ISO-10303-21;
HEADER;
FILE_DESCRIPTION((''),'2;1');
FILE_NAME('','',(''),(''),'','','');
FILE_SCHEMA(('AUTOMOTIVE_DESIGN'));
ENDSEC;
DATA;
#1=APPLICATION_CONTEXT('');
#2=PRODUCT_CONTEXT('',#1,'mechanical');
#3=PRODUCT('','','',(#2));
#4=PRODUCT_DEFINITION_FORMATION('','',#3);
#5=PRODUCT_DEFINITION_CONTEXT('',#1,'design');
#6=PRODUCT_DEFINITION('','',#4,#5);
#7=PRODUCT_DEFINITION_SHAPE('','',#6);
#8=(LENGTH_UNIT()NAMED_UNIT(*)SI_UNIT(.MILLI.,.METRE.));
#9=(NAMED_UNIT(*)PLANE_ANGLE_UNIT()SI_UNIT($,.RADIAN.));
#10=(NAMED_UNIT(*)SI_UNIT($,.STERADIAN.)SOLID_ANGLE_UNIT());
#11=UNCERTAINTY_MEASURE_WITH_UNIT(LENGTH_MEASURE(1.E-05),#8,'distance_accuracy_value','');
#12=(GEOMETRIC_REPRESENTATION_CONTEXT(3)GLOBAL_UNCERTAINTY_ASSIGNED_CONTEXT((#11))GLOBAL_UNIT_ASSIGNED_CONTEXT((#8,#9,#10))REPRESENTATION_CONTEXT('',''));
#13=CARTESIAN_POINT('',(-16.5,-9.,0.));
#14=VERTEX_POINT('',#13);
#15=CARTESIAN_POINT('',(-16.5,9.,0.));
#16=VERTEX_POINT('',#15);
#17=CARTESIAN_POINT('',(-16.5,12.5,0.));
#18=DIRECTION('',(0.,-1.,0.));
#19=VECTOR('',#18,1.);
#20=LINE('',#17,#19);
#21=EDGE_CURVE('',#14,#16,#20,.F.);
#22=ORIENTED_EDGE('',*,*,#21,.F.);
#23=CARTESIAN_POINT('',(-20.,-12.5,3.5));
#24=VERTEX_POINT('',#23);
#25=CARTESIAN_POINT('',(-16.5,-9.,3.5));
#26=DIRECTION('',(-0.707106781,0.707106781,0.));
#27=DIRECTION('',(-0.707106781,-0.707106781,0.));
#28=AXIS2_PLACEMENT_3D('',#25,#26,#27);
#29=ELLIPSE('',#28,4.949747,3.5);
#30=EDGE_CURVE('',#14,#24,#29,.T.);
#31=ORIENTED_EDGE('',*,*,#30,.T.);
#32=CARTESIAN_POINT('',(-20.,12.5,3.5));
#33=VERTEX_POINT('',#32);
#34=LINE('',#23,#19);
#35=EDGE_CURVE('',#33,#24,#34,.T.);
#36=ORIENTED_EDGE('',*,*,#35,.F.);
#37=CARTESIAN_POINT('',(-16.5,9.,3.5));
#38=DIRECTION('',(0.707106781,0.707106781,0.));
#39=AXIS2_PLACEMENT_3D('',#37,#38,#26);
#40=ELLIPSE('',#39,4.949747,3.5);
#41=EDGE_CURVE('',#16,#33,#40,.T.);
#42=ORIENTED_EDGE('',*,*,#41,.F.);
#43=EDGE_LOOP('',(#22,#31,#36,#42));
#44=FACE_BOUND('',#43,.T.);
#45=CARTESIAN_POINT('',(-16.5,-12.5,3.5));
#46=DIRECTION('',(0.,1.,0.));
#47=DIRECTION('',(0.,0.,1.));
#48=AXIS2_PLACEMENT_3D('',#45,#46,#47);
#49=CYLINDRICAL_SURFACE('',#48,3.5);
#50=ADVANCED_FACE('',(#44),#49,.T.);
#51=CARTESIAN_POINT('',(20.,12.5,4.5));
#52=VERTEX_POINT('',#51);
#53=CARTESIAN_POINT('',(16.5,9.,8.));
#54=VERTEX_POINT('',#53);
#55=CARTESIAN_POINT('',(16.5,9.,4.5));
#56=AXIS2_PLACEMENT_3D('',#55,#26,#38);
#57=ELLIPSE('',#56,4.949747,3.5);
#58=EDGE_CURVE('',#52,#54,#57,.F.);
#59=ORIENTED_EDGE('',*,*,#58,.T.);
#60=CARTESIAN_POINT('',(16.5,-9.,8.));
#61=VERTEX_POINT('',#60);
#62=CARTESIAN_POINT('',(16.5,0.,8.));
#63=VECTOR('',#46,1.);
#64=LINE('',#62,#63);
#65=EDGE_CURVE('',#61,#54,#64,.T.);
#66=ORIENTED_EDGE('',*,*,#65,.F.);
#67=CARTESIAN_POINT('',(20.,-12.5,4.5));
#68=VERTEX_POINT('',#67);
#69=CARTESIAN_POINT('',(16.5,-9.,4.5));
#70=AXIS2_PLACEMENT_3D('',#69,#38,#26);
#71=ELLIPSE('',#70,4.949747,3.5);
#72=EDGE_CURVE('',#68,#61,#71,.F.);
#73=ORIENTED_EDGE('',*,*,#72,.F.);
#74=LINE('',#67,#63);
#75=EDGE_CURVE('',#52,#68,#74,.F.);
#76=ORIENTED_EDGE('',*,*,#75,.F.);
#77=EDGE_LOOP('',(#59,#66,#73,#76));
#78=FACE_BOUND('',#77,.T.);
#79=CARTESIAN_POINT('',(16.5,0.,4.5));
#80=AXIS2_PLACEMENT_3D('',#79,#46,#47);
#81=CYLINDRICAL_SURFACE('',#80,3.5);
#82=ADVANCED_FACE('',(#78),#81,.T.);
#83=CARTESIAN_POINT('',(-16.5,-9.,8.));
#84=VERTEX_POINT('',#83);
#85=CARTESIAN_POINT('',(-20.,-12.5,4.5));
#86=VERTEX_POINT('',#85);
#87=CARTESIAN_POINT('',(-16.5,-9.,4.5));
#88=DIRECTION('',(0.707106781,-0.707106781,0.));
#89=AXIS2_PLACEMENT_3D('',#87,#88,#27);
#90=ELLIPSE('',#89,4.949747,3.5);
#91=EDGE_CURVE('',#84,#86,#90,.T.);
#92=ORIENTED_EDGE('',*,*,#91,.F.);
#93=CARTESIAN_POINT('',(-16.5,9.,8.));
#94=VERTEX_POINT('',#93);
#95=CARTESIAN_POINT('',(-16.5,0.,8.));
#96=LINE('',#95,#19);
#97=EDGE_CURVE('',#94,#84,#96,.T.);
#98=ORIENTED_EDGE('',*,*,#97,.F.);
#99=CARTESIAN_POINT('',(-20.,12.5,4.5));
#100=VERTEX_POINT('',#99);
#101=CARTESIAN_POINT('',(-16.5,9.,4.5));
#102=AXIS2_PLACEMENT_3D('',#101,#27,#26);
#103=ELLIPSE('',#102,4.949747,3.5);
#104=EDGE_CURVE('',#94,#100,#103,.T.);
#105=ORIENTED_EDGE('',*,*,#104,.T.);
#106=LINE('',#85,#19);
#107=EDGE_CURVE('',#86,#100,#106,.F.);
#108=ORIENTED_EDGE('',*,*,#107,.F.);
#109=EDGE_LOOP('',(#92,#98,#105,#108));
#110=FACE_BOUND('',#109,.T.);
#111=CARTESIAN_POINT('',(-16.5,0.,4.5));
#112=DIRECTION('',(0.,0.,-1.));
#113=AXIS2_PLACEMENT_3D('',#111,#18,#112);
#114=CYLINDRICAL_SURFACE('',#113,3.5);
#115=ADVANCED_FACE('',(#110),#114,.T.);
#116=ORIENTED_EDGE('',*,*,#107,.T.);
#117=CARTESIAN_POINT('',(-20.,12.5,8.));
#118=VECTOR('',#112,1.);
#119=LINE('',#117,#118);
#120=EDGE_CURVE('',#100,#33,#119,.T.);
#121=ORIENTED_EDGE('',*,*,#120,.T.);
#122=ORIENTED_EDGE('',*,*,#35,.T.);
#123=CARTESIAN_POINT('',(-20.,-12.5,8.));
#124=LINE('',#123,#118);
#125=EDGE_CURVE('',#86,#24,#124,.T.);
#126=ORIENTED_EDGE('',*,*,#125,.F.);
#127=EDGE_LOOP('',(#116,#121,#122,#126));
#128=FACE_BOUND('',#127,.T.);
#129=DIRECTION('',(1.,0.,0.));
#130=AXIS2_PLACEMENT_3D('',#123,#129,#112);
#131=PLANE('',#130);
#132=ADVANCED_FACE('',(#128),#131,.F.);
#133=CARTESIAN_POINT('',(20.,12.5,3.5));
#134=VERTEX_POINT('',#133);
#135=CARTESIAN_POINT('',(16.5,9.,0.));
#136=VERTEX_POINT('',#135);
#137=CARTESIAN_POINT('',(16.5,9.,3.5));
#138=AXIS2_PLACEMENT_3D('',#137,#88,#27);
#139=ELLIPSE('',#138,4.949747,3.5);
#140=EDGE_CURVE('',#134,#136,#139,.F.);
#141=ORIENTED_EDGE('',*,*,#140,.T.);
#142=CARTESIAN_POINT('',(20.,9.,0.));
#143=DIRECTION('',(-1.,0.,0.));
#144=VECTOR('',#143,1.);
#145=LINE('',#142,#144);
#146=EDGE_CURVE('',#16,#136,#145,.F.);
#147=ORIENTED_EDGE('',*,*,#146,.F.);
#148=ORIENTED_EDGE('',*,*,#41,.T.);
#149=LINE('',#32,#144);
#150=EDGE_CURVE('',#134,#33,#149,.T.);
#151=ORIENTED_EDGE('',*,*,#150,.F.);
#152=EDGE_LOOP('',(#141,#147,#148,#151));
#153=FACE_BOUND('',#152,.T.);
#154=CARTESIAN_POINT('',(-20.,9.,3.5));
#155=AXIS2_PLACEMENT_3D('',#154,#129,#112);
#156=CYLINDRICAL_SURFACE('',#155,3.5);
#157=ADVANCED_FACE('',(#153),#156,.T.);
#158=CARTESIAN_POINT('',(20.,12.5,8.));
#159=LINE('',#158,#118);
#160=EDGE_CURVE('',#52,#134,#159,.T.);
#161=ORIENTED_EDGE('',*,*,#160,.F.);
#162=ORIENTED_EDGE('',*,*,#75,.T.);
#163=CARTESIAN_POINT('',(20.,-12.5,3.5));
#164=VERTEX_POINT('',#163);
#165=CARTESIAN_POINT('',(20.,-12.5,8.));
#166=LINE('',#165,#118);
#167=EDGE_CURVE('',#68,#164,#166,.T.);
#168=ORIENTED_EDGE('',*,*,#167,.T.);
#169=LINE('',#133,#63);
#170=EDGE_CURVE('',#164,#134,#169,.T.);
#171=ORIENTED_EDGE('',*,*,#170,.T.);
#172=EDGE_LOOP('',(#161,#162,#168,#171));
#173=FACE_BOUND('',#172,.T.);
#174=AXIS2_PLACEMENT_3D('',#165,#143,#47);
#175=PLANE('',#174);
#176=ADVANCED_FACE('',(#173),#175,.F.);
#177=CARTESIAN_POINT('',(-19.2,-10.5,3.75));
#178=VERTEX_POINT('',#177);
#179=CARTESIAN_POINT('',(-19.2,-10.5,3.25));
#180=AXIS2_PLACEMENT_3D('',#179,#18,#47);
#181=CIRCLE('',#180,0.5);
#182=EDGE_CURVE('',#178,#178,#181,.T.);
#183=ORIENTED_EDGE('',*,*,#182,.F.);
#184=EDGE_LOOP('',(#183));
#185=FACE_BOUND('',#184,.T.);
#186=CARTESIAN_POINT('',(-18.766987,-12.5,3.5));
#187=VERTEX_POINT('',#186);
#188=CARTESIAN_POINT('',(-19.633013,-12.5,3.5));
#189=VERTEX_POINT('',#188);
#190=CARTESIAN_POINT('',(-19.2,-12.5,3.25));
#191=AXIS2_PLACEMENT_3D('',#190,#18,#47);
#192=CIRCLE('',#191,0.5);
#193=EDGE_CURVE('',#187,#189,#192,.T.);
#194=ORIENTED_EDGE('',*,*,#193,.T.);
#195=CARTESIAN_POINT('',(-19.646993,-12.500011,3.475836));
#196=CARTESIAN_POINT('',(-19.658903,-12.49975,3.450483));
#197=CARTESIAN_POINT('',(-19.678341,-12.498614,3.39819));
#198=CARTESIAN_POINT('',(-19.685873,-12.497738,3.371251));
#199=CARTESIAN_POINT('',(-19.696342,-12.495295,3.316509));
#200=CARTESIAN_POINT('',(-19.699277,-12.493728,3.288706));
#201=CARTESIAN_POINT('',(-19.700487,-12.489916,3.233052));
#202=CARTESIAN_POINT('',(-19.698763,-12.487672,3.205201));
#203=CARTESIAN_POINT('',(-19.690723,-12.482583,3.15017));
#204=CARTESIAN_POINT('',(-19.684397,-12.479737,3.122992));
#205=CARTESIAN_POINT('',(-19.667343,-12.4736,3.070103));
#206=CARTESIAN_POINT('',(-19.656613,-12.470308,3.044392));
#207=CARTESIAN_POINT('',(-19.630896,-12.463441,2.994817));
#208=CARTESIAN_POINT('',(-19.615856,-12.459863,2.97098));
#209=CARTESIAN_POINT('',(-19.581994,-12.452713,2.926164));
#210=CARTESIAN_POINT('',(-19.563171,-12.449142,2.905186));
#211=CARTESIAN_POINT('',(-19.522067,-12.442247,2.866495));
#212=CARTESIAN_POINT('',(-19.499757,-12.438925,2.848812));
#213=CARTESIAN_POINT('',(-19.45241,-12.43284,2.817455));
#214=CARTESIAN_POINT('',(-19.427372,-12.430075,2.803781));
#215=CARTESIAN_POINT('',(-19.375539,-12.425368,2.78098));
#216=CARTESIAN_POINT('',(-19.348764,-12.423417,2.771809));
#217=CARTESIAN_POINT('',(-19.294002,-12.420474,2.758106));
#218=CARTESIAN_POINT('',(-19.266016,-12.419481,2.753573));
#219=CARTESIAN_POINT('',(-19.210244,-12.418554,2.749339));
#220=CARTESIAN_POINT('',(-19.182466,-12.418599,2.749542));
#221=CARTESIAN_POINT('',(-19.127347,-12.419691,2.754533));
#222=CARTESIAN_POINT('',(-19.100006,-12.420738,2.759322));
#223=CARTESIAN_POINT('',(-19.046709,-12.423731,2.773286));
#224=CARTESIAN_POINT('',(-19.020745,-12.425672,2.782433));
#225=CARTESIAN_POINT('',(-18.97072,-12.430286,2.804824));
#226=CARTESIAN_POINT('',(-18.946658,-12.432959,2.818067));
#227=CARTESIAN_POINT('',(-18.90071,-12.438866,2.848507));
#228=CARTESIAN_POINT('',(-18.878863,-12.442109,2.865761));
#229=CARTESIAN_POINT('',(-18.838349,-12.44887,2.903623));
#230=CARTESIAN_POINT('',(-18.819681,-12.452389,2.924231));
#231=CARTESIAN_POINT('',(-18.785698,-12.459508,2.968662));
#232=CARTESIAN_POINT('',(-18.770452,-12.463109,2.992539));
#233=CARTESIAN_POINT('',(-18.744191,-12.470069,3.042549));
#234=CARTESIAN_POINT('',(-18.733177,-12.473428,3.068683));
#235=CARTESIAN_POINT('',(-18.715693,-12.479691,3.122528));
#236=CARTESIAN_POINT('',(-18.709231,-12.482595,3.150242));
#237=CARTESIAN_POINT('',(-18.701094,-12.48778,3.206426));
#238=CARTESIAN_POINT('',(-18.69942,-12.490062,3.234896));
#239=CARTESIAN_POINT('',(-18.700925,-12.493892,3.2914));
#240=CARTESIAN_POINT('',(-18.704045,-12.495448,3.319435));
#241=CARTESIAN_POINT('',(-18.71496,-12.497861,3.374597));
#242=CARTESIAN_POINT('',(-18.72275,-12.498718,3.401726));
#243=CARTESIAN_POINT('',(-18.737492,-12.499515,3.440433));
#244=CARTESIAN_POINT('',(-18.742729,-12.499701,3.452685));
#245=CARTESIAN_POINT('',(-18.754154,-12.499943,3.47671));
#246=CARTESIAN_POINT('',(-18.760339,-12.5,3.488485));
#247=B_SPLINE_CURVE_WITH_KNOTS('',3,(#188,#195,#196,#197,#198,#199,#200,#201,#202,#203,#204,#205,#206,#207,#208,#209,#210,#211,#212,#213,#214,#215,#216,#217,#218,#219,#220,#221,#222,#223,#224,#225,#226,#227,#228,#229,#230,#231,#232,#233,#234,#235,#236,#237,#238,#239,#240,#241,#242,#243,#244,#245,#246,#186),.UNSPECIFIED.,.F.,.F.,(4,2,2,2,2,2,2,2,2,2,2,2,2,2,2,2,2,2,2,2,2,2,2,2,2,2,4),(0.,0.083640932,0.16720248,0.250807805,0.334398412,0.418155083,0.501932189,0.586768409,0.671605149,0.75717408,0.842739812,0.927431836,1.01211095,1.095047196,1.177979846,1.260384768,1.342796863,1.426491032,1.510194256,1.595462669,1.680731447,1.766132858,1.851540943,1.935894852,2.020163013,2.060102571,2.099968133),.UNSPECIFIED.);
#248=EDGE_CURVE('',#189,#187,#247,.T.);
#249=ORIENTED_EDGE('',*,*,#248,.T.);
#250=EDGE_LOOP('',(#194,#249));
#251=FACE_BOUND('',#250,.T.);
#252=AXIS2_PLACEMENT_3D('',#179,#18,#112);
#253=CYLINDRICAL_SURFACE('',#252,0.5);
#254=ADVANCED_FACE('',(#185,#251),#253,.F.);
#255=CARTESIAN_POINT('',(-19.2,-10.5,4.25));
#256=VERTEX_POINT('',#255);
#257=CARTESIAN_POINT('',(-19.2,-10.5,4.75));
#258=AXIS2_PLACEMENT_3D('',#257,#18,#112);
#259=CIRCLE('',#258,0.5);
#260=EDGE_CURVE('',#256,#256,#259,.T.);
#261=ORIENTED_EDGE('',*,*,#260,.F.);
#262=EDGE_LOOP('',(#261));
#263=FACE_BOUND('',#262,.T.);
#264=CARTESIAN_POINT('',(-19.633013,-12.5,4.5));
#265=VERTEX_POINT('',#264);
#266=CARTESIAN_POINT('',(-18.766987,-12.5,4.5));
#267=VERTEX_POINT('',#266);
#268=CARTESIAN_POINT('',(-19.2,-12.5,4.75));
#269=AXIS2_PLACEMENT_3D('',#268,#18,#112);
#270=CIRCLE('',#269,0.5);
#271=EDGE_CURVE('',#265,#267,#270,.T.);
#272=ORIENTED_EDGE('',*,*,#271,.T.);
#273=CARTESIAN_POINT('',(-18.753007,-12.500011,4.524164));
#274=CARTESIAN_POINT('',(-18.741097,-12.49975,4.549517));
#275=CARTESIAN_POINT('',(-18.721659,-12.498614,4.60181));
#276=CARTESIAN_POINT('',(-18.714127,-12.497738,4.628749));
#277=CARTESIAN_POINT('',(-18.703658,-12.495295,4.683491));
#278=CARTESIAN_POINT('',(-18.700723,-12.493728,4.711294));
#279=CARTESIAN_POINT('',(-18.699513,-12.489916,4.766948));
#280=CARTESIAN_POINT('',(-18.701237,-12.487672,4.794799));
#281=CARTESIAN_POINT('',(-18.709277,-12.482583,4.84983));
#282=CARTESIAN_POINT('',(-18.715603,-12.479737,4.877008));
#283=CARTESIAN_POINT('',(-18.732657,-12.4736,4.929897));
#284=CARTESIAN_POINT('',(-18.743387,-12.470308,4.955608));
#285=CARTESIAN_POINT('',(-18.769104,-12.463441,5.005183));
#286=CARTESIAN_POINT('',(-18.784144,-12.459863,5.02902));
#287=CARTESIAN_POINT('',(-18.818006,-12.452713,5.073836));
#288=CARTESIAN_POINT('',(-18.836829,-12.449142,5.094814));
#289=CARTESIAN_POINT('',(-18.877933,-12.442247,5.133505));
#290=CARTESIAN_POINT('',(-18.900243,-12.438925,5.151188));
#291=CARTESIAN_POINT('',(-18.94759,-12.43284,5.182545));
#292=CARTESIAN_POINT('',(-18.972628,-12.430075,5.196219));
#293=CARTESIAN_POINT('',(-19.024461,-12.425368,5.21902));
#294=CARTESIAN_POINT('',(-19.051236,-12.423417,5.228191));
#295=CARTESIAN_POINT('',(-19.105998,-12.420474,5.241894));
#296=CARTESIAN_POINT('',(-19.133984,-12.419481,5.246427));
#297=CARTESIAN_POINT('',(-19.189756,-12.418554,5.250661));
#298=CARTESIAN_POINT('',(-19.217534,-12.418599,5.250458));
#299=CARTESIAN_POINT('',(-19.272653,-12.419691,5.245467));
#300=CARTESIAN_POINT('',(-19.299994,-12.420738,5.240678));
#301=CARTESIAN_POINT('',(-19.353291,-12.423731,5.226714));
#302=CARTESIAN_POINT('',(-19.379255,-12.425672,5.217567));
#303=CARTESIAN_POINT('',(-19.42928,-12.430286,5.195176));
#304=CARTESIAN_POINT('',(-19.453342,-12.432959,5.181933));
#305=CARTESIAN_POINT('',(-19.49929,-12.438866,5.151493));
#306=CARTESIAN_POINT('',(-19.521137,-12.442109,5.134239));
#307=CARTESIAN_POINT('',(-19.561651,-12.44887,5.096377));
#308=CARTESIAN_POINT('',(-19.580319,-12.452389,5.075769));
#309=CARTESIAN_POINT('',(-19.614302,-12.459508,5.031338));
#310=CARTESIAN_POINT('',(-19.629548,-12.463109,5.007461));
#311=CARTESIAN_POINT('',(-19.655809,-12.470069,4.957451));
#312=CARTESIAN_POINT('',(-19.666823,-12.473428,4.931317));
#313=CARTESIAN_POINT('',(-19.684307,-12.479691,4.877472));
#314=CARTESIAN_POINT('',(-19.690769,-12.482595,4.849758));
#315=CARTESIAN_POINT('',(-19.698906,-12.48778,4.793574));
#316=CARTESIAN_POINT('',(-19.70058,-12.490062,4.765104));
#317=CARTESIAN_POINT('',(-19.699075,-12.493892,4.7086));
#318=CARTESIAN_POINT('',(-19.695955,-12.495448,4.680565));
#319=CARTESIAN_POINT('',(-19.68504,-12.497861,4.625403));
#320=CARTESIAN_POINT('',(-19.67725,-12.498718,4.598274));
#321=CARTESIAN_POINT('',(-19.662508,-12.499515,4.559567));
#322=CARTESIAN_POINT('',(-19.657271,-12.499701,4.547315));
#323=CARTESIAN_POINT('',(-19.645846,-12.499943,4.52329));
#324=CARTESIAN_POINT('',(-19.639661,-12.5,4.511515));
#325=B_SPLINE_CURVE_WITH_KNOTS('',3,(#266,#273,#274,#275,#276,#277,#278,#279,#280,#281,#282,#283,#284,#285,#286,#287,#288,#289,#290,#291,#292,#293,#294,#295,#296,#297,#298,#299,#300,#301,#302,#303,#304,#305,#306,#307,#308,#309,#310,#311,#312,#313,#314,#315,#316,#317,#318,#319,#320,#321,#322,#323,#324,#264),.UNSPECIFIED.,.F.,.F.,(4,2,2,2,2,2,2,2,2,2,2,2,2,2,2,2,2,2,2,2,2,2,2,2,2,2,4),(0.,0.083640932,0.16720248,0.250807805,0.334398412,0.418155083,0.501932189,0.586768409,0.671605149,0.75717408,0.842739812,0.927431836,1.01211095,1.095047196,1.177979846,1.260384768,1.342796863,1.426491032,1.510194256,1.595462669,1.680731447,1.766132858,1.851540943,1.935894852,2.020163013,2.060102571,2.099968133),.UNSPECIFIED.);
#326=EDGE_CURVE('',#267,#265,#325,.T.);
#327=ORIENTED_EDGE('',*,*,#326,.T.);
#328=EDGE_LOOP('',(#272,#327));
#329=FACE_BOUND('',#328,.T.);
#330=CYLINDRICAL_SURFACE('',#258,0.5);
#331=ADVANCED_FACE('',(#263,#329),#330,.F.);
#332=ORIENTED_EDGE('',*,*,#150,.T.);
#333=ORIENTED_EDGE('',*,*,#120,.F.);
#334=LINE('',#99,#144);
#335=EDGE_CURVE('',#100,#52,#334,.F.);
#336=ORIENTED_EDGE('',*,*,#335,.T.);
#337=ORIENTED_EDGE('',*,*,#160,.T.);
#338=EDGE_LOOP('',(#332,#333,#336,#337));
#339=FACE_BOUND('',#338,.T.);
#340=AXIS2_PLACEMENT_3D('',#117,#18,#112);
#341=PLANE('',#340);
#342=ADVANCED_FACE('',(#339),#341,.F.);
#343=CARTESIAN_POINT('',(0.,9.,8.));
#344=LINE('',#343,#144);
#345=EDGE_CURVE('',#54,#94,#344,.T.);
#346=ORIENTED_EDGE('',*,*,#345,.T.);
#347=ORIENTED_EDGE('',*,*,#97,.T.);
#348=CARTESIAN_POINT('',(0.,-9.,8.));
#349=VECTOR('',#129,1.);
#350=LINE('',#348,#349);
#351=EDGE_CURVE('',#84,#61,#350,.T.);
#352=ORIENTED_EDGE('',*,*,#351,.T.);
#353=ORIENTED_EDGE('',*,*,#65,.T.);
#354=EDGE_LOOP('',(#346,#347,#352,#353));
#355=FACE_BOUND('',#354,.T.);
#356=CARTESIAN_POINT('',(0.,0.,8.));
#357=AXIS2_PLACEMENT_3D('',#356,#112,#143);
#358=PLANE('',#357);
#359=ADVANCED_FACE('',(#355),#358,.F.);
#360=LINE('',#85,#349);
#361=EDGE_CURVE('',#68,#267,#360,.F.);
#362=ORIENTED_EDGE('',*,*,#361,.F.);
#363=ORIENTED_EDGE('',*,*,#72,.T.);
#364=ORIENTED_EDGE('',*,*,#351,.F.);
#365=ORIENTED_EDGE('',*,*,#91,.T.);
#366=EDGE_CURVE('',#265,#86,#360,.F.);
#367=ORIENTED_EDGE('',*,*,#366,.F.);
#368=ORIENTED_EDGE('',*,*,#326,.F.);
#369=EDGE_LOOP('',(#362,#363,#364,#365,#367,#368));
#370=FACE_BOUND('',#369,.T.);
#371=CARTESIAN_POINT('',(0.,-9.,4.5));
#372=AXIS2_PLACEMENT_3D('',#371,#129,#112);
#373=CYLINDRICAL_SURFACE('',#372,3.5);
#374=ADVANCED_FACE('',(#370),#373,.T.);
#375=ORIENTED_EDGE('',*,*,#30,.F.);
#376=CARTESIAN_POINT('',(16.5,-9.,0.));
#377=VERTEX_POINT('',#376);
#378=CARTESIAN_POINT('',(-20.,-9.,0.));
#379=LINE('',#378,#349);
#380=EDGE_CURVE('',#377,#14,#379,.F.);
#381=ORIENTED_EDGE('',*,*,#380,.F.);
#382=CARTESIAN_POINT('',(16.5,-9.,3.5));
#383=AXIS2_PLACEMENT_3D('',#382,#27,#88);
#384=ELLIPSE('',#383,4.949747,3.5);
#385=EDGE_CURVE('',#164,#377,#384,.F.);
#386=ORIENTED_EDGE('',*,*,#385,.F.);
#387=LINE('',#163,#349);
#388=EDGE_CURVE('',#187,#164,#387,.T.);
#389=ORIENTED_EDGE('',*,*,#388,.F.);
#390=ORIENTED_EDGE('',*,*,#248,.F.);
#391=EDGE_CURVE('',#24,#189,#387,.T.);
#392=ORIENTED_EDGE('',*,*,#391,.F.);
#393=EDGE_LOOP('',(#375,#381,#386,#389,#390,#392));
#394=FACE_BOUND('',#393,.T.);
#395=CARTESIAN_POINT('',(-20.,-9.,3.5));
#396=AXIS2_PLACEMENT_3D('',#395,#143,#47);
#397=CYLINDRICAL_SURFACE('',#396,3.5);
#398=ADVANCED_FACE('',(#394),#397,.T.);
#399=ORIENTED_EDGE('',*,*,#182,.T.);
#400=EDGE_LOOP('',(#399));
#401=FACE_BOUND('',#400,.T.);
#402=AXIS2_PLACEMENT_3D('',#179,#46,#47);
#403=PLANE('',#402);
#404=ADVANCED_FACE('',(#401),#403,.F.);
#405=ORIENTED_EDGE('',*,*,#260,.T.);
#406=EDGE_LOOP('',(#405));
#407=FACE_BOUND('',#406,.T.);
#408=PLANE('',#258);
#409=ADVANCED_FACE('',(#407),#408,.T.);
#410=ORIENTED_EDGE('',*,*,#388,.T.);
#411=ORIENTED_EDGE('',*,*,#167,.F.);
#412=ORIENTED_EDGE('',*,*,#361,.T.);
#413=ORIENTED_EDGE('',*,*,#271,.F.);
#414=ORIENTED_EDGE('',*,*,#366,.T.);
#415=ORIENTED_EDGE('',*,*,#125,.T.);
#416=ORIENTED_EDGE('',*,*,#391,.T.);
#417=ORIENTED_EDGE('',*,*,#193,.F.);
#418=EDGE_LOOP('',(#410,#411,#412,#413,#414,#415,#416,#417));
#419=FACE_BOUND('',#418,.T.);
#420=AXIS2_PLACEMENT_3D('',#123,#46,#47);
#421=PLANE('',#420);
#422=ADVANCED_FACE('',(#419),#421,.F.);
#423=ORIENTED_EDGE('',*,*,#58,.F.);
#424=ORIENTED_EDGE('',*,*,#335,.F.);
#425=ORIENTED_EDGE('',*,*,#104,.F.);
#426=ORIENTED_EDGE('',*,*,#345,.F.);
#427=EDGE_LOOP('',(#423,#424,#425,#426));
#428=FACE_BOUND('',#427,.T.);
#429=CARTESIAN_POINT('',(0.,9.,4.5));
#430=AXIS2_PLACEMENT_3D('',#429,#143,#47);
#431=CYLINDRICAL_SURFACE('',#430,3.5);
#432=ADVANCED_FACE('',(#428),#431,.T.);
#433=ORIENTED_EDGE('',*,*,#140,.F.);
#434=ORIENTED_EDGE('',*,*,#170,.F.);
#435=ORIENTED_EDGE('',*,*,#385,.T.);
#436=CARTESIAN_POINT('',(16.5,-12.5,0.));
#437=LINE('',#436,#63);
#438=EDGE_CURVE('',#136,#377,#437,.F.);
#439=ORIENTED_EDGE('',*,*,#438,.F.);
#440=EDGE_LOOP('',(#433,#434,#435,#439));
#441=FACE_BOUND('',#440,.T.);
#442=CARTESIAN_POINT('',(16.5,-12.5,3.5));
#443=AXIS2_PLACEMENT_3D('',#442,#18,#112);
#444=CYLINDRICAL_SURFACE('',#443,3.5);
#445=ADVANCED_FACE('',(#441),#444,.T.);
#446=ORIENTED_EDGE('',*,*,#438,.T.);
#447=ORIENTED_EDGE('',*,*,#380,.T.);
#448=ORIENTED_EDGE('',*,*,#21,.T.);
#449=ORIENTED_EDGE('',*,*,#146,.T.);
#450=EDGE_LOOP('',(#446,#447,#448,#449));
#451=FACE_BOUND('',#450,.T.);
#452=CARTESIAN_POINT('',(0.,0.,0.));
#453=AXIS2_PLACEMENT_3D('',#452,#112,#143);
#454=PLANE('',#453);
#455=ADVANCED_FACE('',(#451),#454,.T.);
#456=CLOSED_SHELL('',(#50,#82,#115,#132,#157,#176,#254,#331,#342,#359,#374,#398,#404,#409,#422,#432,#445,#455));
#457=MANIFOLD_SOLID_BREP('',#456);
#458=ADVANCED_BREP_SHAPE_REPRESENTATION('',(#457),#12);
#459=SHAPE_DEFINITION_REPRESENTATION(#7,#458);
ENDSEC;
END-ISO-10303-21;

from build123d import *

# Parameters (mm, degrees)
ESBO_O1_W                = 40
ESBO_O1_H                = 25
RESSALTO_EXTRUS_O1_DEPTH = 8
FILETE1_R                = 3.5
ESBO_O2_R                = 0.5
CORTE_EXTRUS_O1_DEPTH    = 2


with BuildPart() as part:
    # Esboço1 → Ressalto-extrusão1 (new body)
    with BuildSketch(Plane.XY):
        Rectangle(ESBO_O1_W, ESBO_O1_H)
    extrude(amount=RESSALTO_EXTRUS_O1_DEPTH)

    # Filete1
    filete1_edges = [part.edges().sort_by_distance(p)[0] for p in [
        (-20, 0, 8),
        (0, -12.5, 8),
        (20, 0, 8),
        (0, -12.5, 0),
        (-20, 0, 0),
        (0, 12.5, 0),
        (20, 0, 0),
        (0, 12.5, 8),
    ]]
    fillet(filete1_edges, radius=FILETE1_R)

    # Esboço2 → Corte-extrusão1 (cut)
    with BuildSketch(Plane.XZ.offset(12.5)):
        with Locations(Location((-19.2, 4.75, 0), (0, 0, 270))):
            Circle(ESBO_O2_R)
        with Locations(Location((-19.2, 3.25, 0), (0, 0, 30))):
            Circle(ESBO_O2_R)
    extrude(amount=-CORTE_EXTRUS_O1_DEPTH, mode=Mode.SUBTRACT)


solid = part.part
